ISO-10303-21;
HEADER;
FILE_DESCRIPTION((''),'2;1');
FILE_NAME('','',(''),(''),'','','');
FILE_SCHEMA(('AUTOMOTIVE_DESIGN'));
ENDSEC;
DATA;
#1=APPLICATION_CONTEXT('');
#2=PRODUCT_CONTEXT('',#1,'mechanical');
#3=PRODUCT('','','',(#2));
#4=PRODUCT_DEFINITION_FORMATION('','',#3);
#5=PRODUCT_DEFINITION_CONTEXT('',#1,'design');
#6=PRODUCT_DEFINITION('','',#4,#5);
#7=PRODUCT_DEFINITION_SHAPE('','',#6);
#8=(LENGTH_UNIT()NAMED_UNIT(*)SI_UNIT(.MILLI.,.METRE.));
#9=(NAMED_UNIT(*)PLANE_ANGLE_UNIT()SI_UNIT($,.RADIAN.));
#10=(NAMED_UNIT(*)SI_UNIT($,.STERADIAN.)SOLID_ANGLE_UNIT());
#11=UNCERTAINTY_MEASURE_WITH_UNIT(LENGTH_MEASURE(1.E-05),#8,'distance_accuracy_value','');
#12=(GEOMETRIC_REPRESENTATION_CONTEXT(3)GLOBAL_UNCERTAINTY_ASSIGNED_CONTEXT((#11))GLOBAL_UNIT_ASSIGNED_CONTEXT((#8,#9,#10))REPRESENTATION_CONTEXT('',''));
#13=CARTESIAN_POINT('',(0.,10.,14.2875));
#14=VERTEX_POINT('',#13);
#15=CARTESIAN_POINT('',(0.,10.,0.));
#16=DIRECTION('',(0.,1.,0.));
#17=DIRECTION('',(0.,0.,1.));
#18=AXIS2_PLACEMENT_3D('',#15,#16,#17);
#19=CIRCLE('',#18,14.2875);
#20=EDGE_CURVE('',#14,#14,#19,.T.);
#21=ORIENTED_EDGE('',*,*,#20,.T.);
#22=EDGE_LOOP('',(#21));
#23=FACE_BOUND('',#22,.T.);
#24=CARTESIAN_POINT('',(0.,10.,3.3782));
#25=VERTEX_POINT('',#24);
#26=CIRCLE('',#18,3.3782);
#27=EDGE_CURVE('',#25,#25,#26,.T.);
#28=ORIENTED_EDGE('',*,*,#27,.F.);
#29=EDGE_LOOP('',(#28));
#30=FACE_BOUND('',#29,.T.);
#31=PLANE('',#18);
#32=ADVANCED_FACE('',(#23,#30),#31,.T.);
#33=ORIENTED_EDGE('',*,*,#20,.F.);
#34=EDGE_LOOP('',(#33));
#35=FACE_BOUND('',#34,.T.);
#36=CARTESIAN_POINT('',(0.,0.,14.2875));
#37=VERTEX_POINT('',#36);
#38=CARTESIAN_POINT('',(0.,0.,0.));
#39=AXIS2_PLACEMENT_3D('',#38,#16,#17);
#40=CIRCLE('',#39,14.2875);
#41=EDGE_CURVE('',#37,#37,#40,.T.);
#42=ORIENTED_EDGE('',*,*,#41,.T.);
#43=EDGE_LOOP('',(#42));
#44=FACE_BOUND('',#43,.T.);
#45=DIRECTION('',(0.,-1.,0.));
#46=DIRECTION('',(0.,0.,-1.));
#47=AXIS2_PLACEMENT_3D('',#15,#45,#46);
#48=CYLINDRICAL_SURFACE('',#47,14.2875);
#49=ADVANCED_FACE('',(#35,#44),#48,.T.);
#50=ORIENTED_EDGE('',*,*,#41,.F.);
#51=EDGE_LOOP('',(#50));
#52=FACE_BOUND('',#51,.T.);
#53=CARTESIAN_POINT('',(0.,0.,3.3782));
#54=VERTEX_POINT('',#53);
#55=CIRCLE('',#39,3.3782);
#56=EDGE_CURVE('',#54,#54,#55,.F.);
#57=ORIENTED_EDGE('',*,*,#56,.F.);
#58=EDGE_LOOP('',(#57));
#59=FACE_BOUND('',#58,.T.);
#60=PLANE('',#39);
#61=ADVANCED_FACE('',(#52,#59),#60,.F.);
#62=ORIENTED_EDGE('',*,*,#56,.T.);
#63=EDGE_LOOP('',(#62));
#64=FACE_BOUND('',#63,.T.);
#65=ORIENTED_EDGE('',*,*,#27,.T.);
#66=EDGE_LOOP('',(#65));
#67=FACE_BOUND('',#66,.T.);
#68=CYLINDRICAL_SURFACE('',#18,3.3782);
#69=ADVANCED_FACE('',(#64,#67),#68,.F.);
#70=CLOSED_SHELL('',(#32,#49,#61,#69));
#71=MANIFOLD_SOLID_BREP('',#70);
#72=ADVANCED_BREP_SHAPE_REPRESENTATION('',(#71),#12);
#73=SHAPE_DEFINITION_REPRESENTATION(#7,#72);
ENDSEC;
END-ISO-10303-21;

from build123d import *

# Parameters (mm, degrees)
SKETCH1_R                   = 14.2875
BOSS_EXTRUDE1_DEPTH         = 10
F_1_4_CLEARANCE_HOLE1_D     = 6.7564
F_1_4_CLEARANCE_HOLE1_DEPTH = 10
F_1_4_CLEARANCE_HOLE1_TIP   = 2.029827343


with BuildPart() as part:
    # Sketch1 → Boss-Extrude1 (new body)
    with BuildSketch(Plane(origin=(0, 0, 0), x_dir=(1, 0, 0), z_dir=(0, 1, 0))):
        Circle(SKETCH1_R)
    extrude(amount=BOSS_EXTRUDE1_DEPTH)

    # 1/4 Clearance Hole1
    with Locations(Plane(origin=(0, 10, 0), x_dir=(1, 0, 0), z_dir=(0, 1, 0))):
        with Locations((0, 0)):
            Hole(F_1_4_CLEARANCE_HOLE1_D / 2, depth=F_1_4_CLEARANCE_HOLE1_DEPTH)
            with Locations((0, 0, -(F_1_4_CLEARANCE_HOLE1_DEPTH + F_1_4_CLEARANCE_HOLE1_TIP / 2))):  # 118° drill point
                Cone(0, F_1_4_CLEARANCE_HOLE1_D / 2, F_1_4_CLEARANCE_HOLE1_TIP, mode=Mode.SUBTRACT)


solid = part.part
